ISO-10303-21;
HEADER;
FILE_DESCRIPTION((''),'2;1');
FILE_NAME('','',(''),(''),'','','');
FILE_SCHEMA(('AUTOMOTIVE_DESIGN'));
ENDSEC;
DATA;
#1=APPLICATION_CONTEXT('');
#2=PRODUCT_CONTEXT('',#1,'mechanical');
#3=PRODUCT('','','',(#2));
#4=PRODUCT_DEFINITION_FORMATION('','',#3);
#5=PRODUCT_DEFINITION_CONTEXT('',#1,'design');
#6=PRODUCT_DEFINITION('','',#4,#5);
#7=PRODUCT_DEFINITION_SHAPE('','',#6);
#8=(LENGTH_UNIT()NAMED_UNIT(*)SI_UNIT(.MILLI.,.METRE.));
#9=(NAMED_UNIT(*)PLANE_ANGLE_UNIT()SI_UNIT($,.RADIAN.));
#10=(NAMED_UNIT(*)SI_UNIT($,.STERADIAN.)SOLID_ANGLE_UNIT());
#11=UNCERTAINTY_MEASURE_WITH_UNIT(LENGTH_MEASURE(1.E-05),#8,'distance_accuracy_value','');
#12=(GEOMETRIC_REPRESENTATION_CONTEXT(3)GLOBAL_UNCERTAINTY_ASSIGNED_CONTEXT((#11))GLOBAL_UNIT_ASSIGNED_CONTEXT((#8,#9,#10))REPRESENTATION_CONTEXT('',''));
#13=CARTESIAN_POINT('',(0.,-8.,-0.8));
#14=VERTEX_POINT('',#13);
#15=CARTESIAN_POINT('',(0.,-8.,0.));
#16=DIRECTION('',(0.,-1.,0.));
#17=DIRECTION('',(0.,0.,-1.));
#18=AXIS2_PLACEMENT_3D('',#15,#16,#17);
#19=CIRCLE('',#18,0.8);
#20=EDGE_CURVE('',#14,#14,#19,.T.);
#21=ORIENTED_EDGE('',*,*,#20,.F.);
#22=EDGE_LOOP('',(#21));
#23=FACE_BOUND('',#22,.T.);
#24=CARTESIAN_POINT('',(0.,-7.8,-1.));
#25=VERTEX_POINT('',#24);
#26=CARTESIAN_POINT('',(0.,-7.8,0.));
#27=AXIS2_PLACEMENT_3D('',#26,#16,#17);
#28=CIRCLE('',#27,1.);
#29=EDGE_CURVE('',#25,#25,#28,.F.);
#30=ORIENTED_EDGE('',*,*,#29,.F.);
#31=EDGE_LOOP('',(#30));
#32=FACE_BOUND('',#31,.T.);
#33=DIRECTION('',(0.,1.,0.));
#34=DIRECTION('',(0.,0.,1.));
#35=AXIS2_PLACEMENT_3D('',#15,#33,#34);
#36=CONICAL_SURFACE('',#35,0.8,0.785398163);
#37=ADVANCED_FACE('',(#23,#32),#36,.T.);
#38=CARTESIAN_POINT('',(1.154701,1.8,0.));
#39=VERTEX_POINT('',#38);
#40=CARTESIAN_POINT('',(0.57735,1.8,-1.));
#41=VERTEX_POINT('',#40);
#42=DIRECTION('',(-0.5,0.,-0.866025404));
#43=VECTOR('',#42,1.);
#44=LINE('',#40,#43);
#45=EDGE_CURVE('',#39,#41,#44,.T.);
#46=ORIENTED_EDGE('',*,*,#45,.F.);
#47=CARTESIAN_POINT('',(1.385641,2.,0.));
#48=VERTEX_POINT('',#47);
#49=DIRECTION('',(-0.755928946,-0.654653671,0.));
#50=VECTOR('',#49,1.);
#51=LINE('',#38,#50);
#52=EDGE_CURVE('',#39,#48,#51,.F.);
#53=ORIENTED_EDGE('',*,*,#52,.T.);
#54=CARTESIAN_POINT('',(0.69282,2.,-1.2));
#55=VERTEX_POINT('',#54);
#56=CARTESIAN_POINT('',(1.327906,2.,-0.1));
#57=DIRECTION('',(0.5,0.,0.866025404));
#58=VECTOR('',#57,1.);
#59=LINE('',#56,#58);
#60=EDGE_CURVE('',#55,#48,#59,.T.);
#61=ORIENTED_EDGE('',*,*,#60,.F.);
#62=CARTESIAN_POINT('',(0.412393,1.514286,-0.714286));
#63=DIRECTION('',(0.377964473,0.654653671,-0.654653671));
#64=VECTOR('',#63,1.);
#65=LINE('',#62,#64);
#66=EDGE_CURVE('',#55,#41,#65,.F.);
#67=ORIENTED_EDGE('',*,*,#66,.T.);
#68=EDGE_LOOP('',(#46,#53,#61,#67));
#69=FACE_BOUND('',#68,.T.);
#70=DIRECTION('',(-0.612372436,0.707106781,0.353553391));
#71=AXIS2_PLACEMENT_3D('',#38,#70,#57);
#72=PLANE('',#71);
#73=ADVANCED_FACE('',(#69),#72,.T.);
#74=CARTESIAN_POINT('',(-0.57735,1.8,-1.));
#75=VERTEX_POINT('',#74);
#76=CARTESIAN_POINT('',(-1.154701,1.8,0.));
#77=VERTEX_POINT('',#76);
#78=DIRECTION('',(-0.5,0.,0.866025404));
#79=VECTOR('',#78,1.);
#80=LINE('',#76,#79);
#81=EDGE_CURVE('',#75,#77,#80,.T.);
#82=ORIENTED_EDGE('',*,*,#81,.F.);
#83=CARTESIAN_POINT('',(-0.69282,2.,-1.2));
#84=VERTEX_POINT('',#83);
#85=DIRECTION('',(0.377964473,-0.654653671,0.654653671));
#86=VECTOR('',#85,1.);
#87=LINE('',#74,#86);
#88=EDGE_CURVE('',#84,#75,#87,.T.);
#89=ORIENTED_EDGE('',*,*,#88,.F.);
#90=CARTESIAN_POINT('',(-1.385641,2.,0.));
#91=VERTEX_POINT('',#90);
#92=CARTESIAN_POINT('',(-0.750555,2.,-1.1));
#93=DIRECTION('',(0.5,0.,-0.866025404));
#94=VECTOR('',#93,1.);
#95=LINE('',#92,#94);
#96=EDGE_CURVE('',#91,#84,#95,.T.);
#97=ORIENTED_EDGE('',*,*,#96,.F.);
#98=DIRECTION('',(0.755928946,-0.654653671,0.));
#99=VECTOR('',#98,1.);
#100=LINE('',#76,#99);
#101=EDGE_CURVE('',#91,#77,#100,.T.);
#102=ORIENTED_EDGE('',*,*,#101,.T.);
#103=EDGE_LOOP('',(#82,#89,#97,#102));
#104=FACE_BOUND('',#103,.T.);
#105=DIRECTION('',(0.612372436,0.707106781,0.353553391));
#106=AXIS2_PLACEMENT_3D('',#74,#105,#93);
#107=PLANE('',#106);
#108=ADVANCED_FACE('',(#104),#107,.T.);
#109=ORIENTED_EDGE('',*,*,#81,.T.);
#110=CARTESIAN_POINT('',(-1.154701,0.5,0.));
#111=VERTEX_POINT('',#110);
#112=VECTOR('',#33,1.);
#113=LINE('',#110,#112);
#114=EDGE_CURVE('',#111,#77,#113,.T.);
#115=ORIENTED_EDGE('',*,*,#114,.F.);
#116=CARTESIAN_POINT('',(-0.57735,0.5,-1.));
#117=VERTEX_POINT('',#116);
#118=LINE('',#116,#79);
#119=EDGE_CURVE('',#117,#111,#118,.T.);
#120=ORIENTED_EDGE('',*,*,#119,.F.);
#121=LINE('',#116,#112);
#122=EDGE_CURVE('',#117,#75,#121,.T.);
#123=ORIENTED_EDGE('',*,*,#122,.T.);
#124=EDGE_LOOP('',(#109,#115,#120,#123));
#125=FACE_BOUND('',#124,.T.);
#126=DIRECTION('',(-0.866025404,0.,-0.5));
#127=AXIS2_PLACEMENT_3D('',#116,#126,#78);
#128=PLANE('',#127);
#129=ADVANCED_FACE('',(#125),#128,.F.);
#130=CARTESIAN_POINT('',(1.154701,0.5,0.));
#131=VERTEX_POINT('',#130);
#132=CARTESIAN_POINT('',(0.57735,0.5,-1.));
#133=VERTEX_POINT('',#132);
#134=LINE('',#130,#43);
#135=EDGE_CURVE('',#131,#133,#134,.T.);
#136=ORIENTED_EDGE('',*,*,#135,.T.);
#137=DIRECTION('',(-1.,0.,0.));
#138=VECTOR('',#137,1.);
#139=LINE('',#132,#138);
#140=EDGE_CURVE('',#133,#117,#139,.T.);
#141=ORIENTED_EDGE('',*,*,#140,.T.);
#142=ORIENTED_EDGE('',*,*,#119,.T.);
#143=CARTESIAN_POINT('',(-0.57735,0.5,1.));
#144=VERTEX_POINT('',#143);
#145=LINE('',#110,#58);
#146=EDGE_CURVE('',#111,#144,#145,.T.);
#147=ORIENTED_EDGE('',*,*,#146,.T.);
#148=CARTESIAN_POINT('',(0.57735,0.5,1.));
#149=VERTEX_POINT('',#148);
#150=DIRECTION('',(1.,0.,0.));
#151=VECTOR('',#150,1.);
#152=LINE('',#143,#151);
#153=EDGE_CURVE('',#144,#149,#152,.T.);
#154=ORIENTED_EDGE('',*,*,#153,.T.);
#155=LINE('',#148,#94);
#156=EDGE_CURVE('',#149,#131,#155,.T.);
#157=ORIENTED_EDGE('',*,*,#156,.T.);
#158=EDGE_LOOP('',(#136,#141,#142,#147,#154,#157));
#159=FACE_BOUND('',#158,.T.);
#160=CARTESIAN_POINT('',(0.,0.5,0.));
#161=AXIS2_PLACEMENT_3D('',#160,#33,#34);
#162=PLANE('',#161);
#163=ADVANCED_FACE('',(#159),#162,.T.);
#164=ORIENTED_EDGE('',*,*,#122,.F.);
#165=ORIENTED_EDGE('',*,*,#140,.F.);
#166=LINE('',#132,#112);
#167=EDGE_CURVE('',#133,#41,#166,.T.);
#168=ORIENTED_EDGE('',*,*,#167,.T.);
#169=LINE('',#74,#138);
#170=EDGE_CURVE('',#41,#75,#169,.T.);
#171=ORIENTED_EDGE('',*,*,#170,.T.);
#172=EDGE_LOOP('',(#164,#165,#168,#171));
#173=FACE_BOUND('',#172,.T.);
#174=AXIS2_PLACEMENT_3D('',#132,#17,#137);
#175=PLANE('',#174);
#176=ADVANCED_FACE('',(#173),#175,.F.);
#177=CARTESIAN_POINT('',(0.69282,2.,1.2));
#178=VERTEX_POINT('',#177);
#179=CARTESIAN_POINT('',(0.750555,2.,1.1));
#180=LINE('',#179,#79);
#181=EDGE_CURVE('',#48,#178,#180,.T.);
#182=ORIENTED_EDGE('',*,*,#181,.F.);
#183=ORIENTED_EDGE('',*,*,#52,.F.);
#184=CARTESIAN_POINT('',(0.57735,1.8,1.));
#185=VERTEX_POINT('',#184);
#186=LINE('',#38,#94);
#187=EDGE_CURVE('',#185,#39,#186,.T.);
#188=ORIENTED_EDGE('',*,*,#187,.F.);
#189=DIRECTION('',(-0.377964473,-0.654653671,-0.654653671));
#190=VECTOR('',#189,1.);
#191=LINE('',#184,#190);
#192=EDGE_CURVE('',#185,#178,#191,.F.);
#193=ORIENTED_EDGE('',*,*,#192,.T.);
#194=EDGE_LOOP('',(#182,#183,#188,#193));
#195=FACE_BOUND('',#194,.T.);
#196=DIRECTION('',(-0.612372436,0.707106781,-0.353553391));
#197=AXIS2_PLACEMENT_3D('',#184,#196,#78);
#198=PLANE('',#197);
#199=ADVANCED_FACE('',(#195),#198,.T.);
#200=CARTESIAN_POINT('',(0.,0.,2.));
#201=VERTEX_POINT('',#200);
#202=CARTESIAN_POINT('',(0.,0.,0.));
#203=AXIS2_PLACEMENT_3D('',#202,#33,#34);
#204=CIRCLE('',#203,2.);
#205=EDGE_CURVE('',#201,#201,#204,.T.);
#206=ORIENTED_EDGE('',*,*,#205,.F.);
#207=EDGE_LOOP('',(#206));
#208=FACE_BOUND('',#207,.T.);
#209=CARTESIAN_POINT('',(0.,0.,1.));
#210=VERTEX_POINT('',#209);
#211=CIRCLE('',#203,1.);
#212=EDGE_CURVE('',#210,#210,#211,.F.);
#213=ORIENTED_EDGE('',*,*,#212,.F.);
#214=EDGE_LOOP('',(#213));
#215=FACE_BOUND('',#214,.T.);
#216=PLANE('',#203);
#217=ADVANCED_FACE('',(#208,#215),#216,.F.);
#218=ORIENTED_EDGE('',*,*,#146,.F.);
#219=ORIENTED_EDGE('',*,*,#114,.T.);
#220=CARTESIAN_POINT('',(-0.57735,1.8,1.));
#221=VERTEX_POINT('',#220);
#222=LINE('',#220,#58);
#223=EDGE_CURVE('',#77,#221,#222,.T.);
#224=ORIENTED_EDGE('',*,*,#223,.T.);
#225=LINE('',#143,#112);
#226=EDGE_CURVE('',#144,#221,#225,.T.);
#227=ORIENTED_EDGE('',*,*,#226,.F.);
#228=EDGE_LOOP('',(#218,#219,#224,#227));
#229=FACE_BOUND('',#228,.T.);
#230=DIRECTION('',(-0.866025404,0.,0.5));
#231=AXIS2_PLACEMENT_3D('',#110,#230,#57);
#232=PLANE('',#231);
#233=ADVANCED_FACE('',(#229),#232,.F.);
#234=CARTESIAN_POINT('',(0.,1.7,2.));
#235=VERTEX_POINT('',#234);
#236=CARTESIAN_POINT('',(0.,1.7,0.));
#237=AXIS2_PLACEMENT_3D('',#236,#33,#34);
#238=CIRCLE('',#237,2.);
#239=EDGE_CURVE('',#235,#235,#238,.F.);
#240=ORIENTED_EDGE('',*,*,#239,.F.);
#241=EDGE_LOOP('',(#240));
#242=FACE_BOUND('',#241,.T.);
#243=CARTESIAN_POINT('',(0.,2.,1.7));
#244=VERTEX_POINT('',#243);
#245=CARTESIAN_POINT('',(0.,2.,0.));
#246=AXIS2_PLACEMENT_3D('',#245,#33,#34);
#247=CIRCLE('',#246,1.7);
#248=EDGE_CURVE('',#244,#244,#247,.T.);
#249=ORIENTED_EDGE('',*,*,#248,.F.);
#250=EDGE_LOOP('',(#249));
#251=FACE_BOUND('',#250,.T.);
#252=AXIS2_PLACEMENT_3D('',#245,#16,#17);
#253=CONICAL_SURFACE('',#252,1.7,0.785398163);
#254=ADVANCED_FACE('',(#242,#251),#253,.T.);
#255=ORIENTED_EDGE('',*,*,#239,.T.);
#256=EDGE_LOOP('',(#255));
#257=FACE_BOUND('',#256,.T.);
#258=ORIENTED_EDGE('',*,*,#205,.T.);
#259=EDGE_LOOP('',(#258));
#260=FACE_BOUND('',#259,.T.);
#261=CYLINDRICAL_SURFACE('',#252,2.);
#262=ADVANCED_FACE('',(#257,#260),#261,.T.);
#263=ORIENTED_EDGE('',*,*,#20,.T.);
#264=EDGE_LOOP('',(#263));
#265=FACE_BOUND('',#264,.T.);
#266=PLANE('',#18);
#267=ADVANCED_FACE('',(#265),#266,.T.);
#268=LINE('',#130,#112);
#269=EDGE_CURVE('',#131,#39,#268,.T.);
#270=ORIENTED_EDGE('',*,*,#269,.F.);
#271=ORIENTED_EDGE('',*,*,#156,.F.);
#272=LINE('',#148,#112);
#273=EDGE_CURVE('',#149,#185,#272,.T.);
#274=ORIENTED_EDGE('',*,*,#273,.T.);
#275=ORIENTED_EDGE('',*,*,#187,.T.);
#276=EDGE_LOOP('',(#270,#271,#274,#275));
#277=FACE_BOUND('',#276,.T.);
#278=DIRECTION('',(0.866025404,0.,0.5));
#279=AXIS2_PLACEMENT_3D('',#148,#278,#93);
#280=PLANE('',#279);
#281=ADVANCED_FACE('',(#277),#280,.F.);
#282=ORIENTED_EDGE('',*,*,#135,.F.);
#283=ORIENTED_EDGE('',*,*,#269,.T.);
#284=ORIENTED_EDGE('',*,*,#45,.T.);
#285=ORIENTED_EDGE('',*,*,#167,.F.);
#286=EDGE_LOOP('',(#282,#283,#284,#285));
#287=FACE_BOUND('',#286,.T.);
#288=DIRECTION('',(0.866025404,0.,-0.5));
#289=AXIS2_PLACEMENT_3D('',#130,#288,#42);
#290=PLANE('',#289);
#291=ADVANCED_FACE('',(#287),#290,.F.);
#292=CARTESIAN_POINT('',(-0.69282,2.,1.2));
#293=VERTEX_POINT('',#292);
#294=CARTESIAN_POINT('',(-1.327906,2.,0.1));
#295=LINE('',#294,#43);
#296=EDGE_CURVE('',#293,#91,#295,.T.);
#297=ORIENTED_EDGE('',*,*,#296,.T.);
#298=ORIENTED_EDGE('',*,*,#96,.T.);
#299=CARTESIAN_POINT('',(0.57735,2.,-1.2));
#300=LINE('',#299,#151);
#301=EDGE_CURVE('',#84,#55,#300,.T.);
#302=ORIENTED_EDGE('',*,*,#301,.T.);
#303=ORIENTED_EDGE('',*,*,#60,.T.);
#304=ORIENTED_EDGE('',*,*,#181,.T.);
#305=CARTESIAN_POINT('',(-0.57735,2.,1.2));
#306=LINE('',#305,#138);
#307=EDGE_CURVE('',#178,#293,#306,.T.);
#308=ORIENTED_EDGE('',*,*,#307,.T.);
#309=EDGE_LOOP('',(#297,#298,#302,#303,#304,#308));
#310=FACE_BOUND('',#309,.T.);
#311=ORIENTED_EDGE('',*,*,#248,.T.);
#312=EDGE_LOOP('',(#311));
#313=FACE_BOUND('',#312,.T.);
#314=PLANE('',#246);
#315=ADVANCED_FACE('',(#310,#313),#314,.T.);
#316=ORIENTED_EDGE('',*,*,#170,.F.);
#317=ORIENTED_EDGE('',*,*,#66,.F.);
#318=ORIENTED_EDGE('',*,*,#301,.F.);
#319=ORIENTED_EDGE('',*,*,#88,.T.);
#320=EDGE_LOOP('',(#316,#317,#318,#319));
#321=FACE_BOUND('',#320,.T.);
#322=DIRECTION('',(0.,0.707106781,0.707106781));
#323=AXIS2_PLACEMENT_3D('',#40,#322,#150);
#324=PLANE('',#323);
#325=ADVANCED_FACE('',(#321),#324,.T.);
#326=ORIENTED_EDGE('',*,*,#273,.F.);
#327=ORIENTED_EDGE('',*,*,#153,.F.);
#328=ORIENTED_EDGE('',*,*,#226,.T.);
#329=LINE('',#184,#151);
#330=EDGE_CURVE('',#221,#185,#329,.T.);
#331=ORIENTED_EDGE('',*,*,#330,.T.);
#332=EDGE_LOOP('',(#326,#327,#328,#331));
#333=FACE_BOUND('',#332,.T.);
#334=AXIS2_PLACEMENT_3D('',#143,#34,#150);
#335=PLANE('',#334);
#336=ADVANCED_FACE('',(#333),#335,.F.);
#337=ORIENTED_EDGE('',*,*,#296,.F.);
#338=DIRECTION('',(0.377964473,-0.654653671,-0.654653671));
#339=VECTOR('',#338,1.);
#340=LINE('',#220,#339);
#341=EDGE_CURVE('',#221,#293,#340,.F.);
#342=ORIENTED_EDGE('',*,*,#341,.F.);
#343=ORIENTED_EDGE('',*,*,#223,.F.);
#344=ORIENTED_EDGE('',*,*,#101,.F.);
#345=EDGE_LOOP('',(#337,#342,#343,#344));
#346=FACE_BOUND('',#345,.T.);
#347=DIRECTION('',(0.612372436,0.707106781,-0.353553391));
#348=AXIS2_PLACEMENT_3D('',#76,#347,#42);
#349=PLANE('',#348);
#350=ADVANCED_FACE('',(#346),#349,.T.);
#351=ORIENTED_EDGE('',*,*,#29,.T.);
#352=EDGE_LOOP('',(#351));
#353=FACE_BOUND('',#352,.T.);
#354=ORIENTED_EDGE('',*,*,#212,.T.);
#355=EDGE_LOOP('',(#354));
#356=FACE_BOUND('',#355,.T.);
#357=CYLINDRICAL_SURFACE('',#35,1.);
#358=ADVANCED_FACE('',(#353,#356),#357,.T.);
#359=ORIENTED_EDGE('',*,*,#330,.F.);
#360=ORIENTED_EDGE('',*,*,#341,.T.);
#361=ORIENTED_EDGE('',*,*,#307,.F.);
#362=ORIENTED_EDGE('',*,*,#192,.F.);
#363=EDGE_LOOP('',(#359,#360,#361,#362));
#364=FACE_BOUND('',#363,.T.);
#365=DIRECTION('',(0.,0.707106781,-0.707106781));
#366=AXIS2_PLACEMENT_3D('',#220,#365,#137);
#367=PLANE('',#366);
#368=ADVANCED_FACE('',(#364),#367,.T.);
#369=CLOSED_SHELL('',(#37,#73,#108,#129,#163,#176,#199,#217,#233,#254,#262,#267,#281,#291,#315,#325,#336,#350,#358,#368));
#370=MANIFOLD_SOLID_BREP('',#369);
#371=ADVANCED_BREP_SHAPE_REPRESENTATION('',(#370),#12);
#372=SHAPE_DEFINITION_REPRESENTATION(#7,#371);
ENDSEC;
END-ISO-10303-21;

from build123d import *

# Parameters (mm, degrees)
SKETCH1_R           = 2
BOSS_EXTRUDE1_DEPTH = 2
CHAMFER1_SIZE       = 0.3
CUT_EXTRUDE1_DEPTH  = 1.5
CHAMFER2_SIZE       = 0.2
SKETCH3_R           = 1
BOSS_EXTRUDE2_DEPTH = 8
CHAMFER3_SIZE       = 0.2


with BuildPart() as part:
    # Sketch1 → Boss-Extrude1 (new body)
    with BuildSketch(Plane(origin=(0, 0, 0), x_dir=(1, 0, 0), z_dir=(0, 1, 0))):
        with Locations(Location((0, 0, 0), (0, 0, 270))):  # turned: the seam where the file's is
            Circle(SKETCH1_R)
    extrude(amount=BOSS_EXTRUDE1_DEPTH)

    # Chamfer1
    chamfer1_edges = [part.edges().sort_by_distance(p)[0] for p in [
        (0, 2, -2),
    ]]
    chamfer(chamfer1_edges, length=CHAMFER1_SIZE)

    # Sketch2 → Cut-Extrude1 (cut)
    with BuildSketch(Plane(origin=(0, 2, 0), x_dir=(1, 0, 0), z_dir=(0, 1, 0))):
        Polygon((1.154700538, 0), (0.577350269, 1), (-0.577350269, 1), (-1.154700538, 0), (-0.577350269, -1), (0.577350269, -1), align=None)
    extrude(amount=-CUT_EXTRUDE1_DEPTH, mode=Mode.SUBTRACT)

    # Chamfer2
    chamfer2_edges = [part.edges().sort_by_distance(p)[0] for p in [
        (0.866025404, 2, 0.5),
        (0.866025404, 2, -0.5),
        (0, 2, -1),
        (-0.866025404, 2, -0.5),
        (-0.866025404, 2, 0.5),
        (0, 2, 1),
    ]]
    chamfer(chamfer2_edges, length=CHAMFER2_SIZE)

    # Sketch3 → Boss-Extrude2 (add)
    with BuildSketch(Plane.XZ):
        with Locations(Location((0, 0, 0), (0, 0, 90))):  # turned: the seam where the file's is
            Circle(SKETCH3_R)
    extrude(amount=BOSS_EXTRUDE2_DEPTH)

    # Chamfer3
    chamfer3_edges = [part.edges().sort_by_distance(p)[0] for p in [
        (0, -8, -1),
    ]]
    chamfer(chamfer3_edges, length=CHAMFER3_SIZE)


solid = part.part
